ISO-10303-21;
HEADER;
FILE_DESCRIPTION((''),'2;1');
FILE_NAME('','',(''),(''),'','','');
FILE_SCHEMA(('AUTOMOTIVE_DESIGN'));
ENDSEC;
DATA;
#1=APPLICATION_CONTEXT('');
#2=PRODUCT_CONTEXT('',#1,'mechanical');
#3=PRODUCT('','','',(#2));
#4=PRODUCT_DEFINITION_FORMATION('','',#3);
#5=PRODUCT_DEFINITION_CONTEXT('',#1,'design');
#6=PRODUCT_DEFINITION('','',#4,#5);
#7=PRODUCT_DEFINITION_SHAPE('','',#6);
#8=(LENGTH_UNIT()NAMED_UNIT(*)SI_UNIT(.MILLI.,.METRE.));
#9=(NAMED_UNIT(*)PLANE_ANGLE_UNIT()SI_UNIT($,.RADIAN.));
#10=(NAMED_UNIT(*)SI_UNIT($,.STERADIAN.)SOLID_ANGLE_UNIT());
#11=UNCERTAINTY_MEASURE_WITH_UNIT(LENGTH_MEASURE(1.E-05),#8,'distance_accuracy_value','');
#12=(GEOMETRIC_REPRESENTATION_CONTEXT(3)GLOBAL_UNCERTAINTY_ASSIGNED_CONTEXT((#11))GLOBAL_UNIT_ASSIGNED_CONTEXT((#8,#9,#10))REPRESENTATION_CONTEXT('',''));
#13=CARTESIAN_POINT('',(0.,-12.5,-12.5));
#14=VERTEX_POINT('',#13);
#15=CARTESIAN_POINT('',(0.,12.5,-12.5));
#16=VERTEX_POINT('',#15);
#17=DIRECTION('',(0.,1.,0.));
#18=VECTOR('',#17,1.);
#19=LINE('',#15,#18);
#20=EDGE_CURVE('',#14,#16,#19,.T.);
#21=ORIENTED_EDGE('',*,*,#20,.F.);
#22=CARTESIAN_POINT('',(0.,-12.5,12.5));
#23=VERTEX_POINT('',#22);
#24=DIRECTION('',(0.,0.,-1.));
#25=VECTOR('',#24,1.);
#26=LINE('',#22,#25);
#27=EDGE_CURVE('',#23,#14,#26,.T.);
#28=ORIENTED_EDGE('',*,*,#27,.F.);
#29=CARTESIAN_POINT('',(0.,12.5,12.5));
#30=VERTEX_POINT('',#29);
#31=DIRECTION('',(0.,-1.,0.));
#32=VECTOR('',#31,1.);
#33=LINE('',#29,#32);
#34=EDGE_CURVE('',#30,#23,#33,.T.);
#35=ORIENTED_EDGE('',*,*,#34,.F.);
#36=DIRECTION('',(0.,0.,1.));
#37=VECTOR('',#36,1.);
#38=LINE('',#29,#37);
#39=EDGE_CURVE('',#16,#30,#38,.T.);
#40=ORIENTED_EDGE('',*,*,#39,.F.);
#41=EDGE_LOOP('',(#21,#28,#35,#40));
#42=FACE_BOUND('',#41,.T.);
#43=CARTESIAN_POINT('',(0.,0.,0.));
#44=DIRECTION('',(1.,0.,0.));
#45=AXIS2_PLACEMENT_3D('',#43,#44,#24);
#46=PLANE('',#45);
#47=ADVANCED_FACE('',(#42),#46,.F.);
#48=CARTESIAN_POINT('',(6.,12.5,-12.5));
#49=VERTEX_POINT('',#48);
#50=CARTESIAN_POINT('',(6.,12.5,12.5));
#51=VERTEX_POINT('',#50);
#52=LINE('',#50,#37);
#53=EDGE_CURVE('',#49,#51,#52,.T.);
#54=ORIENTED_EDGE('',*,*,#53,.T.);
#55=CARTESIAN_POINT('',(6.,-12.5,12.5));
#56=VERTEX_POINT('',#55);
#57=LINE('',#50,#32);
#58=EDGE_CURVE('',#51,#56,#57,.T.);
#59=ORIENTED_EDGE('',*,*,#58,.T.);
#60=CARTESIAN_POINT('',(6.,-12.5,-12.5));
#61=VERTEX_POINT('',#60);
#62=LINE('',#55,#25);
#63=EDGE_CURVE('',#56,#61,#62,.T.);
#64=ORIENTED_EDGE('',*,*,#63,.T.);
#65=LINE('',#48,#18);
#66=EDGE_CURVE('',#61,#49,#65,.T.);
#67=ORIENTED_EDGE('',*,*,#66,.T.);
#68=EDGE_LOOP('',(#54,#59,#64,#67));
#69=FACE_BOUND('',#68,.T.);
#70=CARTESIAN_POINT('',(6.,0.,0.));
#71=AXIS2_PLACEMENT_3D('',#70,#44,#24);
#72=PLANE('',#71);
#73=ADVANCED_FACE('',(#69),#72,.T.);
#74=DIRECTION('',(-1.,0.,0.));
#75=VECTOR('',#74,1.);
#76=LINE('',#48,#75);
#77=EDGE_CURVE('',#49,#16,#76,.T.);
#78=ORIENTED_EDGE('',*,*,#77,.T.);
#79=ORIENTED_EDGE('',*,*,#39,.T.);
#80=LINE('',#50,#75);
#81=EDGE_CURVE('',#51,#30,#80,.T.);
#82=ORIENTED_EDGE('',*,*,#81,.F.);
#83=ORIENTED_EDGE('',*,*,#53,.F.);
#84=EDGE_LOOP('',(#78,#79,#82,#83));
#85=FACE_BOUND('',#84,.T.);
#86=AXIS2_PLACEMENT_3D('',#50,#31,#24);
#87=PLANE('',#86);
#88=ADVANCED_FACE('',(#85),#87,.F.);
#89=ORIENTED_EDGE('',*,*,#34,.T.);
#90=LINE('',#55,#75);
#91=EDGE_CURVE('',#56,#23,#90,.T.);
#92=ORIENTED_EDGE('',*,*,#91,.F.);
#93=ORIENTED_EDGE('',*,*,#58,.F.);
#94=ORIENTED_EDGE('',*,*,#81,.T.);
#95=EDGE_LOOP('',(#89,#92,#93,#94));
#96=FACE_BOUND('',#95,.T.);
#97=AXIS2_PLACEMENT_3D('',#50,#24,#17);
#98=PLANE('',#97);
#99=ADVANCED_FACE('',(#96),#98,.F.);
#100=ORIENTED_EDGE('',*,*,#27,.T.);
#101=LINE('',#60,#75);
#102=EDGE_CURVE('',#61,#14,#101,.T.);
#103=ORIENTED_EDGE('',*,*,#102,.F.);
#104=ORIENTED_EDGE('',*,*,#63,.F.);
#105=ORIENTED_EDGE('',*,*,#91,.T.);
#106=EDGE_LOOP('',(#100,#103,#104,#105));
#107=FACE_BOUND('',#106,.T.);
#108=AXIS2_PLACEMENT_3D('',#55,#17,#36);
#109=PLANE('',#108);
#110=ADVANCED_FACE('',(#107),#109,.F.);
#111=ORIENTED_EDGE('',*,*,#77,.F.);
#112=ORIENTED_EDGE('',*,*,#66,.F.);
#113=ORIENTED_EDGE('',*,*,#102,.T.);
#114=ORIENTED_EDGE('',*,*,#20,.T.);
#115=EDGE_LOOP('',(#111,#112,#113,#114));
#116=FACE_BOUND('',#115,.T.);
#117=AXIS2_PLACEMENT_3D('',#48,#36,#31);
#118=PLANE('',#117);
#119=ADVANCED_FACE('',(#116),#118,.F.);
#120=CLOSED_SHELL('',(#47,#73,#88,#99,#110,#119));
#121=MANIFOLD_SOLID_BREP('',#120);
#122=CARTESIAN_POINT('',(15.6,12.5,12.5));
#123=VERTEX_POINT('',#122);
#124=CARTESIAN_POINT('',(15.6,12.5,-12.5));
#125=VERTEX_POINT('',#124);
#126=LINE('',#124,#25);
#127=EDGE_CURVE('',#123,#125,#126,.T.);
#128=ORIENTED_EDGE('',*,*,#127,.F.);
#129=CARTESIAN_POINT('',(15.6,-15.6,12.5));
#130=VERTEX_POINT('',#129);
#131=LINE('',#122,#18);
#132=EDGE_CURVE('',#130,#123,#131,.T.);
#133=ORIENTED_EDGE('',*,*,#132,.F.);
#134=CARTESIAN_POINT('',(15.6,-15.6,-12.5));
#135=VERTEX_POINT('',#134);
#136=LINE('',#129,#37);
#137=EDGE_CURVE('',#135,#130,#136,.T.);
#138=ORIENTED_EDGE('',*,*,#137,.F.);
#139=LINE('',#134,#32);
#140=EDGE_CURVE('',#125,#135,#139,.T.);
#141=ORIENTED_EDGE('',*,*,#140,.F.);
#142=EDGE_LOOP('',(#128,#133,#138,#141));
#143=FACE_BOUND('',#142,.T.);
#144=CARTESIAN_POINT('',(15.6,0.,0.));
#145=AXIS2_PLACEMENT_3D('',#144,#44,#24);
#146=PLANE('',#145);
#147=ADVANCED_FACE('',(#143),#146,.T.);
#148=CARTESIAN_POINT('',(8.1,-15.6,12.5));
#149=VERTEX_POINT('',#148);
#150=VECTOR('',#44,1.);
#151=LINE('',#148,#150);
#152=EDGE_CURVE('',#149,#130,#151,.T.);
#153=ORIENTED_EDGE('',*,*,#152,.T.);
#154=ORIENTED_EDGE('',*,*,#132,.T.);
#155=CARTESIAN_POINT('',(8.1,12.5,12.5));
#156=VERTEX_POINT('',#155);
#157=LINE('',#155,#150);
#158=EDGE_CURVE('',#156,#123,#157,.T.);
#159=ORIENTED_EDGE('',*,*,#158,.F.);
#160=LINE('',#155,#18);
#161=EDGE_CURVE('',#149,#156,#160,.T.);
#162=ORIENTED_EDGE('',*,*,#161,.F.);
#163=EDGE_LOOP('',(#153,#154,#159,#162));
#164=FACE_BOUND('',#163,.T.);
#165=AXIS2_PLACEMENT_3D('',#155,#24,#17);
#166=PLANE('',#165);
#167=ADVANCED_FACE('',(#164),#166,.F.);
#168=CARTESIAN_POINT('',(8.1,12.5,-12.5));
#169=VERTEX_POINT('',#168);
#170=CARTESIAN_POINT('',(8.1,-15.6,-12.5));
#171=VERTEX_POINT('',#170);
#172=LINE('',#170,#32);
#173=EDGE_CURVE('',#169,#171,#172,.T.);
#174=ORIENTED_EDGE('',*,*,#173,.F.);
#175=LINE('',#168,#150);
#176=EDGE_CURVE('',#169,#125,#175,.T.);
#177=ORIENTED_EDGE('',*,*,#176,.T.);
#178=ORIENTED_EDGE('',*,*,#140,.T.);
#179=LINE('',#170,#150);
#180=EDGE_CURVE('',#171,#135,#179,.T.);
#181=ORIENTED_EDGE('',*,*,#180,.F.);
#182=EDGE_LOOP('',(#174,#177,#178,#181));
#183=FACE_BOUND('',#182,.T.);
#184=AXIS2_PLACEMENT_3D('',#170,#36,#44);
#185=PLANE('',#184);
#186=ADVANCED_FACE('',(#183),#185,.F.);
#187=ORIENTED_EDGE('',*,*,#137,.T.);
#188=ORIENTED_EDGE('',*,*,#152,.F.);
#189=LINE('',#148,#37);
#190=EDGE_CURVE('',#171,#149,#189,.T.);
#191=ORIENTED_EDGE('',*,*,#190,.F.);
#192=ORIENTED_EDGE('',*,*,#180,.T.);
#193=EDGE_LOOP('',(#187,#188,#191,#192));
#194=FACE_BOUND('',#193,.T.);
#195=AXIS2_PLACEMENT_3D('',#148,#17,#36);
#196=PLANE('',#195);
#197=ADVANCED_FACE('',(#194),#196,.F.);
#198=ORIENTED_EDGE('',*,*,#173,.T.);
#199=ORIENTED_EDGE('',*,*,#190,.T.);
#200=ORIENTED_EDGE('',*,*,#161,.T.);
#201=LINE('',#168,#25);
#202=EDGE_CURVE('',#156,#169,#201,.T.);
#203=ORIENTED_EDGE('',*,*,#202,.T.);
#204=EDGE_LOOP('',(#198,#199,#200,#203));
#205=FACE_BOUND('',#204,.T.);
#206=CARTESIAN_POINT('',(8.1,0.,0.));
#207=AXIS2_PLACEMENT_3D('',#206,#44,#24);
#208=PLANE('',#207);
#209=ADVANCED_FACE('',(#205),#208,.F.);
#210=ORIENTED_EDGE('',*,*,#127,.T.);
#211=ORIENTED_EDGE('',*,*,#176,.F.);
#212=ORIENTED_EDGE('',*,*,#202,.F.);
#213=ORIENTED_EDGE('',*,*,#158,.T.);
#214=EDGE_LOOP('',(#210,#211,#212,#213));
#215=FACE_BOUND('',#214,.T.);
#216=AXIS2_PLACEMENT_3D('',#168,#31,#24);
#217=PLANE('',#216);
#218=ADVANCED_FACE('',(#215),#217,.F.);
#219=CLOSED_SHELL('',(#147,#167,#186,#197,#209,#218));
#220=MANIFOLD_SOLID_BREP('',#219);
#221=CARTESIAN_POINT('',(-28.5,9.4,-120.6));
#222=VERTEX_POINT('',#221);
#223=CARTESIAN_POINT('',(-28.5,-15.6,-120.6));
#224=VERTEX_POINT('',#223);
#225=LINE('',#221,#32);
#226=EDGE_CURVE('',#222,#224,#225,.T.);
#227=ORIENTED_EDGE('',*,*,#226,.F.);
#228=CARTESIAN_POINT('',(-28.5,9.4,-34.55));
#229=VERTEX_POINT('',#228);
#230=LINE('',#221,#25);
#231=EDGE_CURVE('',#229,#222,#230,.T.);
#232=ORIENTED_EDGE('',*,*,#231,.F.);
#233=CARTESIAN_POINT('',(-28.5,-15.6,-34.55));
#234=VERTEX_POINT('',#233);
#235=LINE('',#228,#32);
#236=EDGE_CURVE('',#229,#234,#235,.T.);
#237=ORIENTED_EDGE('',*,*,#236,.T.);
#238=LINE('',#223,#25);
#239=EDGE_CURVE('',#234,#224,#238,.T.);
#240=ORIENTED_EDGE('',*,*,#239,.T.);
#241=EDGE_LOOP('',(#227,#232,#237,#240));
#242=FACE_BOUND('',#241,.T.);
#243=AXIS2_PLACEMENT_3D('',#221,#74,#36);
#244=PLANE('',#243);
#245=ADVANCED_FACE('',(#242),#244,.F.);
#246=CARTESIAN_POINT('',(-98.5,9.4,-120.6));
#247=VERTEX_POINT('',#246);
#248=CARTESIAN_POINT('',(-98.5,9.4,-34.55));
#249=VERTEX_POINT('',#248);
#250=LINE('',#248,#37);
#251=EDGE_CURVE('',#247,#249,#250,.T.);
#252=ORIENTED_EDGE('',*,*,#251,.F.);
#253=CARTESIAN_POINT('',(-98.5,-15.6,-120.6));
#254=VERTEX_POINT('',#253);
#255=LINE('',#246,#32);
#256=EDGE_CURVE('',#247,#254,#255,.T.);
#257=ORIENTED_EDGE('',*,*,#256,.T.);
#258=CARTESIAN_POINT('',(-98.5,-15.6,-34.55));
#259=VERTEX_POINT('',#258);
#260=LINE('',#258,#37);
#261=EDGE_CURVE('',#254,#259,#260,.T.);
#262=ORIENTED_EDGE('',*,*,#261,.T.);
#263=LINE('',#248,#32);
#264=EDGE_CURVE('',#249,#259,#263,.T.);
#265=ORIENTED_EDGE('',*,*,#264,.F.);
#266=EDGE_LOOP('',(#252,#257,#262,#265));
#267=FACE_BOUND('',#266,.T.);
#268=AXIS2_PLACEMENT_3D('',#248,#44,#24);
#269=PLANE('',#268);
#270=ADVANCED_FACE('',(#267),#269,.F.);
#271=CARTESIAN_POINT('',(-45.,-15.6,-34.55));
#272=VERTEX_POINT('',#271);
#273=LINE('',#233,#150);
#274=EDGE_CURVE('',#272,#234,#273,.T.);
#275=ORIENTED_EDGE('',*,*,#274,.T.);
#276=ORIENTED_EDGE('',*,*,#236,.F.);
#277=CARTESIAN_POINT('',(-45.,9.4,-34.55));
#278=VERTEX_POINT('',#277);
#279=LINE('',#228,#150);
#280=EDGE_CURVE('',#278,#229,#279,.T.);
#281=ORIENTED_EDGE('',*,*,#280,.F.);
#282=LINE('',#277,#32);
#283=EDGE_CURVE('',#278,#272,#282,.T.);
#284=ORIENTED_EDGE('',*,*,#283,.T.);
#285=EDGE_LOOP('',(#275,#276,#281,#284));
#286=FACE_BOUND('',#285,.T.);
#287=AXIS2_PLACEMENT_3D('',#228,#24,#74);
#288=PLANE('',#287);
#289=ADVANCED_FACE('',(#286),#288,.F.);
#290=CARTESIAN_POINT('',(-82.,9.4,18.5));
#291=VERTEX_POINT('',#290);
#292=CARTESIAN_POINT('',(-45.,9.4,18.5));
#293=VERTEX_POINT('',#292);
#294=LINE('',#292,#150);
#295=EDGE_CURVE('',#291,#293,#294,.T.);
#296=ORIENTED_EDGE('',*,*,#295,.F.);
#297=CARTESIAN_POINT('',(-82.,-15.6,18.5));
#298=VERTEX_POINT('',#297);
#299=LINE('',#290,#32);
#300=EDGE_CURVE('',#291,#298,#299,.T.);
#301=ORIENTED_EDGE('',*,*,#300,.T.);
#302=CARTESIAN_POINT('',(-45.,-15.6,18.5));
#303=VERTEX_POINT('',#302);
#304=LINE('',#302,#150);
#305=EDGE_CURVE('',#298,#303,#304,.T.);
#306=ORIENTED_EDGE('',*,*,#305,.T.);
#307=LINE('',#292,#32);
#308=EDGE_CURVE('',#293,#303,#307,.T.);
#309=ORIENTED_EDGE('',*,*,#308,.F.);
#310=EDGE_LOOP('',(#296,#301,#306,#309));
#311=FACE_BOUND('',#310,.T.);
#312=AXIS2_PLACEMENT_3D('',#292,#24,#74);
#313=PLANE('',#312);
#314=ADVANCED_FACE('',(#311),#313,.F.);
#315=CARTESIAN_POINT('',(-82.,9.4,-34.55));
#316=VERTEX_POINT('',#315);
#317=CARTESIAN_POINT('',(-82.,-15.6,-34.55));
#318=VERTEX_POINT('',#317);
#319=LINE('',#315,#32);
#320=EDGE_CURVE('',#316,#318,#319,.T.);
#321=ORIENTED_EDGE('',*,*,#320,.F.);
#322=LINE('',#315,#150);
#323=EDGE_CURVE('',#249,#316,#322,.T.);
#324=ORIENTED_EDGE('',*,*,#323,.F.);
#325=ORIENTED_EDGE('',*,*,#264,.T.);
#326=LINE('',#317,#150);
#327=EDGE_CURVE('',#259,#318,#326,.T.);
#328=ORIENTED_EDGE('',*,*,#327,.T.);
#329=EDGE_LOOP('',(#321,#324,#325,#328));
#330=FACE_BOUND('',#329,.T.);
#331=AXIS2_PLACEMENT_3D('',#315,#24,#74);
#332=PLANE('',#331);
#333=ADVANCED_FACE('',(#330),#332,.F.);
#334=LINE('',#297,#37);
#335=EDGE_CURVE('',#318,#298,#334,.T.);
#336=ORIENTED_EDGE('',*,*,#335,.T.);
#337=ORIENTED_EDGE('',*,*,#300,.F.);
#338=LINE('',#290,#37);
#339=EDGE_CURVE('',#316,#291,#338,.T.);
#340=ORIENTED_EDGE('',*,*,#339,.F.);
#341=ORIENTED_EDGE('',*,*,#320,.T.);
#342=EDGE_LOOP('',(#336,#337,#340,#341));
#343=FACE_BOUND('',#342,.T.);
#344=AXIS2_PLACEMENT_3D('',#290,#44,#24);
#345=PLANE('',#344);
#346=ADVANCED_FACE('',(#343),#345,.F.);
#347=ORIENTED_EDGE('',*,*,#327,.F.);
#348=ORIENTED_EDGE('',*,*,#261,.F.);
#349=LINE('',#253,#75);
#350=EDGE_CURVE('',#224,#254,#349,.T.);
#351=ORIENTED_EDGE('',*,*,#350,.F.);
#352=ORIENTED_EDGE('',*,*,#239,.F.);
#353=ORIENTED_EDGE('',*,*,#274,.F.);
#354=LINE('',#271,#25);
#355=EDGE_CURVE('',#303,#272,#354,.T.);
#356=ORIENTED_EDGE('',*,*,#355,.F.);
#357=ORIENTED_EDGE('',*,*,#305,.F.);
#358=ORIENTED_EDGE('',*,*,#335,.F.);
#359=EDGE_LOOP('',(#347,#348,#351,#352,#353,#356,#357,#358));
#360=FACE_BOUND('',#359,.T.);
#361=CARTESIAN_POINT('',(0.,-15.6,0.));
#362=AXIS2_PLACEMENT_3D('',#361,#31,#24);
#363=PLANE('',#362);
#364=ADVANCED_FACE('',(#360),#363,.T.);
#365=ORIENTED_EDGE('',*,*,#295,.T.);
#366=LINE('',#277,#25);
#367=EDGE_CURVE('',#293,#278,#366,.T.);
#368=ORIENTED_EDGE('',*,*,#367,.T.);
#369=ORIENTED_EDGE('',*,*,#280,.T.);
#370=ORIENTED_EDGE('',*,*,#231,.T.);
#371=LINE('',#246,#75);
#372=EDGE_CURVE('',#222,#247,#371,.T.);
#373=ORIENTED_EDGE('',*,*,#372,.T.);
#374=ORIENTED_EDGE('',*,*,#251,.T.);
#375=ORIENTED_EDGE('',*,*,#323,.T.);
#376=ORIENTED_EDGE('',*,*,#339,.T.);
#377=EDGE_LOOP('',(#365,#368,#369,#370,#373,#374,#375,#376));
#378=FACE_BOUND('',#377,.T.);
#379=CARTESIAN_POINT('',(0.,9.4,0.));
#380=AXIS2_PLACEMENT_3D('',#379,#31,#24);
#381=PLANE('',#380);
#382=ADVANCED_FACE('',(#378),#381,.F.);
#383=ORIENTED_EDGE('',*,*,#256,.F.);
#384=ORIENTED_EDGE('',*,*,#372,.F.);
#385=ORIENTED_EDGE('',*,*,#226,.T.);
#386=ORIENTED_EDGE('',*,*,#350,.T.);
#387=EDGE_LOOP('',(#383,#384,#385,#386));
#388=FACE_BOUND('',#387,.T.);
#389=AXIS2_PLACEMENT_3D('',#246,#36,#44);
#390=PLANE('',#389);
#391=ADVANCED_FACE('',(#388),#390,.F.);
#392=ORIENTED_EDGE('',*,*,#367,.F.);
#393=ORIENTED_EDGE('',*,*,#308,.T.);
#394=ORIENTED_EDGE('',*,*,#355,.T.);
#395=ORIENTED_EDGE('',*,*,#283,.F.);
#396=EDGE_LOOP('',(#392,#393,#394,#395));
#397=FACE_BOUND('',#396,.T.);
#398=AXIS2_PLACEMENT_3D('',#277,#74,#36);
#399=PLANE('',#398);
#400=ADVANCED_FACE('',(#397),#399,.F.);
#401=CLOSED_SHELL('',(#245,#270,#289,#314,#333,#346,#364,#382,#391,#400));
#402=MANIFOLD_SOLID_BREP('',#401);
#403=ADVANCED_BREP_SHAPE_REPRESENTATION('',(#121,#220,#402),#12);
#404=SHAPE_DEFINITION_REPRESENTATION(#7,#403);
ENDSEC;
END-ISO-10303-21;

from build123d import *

# Parameters (mm, degrees)
SKETCH1_W           = 25
SKETCH1_H           = 25
BOSS_EXTRUDE1_DEPTH = 6
SKETCH3_W           = 25
SKETCH3_H           = 28.1
BOSS_EXTRUDE2_DEPTH = 7.5
BOSS_EXTRUDE3_DEPTH = 25


with BuildPart() as part:
    # Sketch1 → Boss-Extrude1 (new body)
    with BuildSketch(Plane(origin=(0, 0, 0), x_dir=(0, 0, -1), z_dir=(1, 0, 0))):
        Rectangle(SKETCH1_W, SKETCH1_H)
    extrude(amount=BOSS_EXTRUDE1_DEPTH)


with BuildPart() as body_2:
    # Sketch3 → Boss-Extrude2 (new body)
    with BuildSketch(Plane.ZY.offset(-15.6)):
        with Locations((0, -1.55)):
            Rectangle(SKETCH3_W, SKETCH3_H)
    extrude(amount=BOSS_EXTRUDE2_DEPTH)


with BuildPart() as body_3:
    # Sketch12 → Boss-Extrude3 (new body)
    with BuildSketch(Plane(origin=(0, -15.6, 0), x_dir=(1, 0, 0), z_dir=(0, 1, 0))):
        Polygon((-98.5, 120.6), (-28.5, 120.6), (-28.5, 34.55), (-45, 34.55), (-45, -18.5), (-82, -18.5), (-82, 34.55), (-98.5, 34.55), align=None)
    extrude(amount=BOSS_EXTRUDE3_DEPTH)


solid = Compound([part.part, body_2.part, body_3.part])
